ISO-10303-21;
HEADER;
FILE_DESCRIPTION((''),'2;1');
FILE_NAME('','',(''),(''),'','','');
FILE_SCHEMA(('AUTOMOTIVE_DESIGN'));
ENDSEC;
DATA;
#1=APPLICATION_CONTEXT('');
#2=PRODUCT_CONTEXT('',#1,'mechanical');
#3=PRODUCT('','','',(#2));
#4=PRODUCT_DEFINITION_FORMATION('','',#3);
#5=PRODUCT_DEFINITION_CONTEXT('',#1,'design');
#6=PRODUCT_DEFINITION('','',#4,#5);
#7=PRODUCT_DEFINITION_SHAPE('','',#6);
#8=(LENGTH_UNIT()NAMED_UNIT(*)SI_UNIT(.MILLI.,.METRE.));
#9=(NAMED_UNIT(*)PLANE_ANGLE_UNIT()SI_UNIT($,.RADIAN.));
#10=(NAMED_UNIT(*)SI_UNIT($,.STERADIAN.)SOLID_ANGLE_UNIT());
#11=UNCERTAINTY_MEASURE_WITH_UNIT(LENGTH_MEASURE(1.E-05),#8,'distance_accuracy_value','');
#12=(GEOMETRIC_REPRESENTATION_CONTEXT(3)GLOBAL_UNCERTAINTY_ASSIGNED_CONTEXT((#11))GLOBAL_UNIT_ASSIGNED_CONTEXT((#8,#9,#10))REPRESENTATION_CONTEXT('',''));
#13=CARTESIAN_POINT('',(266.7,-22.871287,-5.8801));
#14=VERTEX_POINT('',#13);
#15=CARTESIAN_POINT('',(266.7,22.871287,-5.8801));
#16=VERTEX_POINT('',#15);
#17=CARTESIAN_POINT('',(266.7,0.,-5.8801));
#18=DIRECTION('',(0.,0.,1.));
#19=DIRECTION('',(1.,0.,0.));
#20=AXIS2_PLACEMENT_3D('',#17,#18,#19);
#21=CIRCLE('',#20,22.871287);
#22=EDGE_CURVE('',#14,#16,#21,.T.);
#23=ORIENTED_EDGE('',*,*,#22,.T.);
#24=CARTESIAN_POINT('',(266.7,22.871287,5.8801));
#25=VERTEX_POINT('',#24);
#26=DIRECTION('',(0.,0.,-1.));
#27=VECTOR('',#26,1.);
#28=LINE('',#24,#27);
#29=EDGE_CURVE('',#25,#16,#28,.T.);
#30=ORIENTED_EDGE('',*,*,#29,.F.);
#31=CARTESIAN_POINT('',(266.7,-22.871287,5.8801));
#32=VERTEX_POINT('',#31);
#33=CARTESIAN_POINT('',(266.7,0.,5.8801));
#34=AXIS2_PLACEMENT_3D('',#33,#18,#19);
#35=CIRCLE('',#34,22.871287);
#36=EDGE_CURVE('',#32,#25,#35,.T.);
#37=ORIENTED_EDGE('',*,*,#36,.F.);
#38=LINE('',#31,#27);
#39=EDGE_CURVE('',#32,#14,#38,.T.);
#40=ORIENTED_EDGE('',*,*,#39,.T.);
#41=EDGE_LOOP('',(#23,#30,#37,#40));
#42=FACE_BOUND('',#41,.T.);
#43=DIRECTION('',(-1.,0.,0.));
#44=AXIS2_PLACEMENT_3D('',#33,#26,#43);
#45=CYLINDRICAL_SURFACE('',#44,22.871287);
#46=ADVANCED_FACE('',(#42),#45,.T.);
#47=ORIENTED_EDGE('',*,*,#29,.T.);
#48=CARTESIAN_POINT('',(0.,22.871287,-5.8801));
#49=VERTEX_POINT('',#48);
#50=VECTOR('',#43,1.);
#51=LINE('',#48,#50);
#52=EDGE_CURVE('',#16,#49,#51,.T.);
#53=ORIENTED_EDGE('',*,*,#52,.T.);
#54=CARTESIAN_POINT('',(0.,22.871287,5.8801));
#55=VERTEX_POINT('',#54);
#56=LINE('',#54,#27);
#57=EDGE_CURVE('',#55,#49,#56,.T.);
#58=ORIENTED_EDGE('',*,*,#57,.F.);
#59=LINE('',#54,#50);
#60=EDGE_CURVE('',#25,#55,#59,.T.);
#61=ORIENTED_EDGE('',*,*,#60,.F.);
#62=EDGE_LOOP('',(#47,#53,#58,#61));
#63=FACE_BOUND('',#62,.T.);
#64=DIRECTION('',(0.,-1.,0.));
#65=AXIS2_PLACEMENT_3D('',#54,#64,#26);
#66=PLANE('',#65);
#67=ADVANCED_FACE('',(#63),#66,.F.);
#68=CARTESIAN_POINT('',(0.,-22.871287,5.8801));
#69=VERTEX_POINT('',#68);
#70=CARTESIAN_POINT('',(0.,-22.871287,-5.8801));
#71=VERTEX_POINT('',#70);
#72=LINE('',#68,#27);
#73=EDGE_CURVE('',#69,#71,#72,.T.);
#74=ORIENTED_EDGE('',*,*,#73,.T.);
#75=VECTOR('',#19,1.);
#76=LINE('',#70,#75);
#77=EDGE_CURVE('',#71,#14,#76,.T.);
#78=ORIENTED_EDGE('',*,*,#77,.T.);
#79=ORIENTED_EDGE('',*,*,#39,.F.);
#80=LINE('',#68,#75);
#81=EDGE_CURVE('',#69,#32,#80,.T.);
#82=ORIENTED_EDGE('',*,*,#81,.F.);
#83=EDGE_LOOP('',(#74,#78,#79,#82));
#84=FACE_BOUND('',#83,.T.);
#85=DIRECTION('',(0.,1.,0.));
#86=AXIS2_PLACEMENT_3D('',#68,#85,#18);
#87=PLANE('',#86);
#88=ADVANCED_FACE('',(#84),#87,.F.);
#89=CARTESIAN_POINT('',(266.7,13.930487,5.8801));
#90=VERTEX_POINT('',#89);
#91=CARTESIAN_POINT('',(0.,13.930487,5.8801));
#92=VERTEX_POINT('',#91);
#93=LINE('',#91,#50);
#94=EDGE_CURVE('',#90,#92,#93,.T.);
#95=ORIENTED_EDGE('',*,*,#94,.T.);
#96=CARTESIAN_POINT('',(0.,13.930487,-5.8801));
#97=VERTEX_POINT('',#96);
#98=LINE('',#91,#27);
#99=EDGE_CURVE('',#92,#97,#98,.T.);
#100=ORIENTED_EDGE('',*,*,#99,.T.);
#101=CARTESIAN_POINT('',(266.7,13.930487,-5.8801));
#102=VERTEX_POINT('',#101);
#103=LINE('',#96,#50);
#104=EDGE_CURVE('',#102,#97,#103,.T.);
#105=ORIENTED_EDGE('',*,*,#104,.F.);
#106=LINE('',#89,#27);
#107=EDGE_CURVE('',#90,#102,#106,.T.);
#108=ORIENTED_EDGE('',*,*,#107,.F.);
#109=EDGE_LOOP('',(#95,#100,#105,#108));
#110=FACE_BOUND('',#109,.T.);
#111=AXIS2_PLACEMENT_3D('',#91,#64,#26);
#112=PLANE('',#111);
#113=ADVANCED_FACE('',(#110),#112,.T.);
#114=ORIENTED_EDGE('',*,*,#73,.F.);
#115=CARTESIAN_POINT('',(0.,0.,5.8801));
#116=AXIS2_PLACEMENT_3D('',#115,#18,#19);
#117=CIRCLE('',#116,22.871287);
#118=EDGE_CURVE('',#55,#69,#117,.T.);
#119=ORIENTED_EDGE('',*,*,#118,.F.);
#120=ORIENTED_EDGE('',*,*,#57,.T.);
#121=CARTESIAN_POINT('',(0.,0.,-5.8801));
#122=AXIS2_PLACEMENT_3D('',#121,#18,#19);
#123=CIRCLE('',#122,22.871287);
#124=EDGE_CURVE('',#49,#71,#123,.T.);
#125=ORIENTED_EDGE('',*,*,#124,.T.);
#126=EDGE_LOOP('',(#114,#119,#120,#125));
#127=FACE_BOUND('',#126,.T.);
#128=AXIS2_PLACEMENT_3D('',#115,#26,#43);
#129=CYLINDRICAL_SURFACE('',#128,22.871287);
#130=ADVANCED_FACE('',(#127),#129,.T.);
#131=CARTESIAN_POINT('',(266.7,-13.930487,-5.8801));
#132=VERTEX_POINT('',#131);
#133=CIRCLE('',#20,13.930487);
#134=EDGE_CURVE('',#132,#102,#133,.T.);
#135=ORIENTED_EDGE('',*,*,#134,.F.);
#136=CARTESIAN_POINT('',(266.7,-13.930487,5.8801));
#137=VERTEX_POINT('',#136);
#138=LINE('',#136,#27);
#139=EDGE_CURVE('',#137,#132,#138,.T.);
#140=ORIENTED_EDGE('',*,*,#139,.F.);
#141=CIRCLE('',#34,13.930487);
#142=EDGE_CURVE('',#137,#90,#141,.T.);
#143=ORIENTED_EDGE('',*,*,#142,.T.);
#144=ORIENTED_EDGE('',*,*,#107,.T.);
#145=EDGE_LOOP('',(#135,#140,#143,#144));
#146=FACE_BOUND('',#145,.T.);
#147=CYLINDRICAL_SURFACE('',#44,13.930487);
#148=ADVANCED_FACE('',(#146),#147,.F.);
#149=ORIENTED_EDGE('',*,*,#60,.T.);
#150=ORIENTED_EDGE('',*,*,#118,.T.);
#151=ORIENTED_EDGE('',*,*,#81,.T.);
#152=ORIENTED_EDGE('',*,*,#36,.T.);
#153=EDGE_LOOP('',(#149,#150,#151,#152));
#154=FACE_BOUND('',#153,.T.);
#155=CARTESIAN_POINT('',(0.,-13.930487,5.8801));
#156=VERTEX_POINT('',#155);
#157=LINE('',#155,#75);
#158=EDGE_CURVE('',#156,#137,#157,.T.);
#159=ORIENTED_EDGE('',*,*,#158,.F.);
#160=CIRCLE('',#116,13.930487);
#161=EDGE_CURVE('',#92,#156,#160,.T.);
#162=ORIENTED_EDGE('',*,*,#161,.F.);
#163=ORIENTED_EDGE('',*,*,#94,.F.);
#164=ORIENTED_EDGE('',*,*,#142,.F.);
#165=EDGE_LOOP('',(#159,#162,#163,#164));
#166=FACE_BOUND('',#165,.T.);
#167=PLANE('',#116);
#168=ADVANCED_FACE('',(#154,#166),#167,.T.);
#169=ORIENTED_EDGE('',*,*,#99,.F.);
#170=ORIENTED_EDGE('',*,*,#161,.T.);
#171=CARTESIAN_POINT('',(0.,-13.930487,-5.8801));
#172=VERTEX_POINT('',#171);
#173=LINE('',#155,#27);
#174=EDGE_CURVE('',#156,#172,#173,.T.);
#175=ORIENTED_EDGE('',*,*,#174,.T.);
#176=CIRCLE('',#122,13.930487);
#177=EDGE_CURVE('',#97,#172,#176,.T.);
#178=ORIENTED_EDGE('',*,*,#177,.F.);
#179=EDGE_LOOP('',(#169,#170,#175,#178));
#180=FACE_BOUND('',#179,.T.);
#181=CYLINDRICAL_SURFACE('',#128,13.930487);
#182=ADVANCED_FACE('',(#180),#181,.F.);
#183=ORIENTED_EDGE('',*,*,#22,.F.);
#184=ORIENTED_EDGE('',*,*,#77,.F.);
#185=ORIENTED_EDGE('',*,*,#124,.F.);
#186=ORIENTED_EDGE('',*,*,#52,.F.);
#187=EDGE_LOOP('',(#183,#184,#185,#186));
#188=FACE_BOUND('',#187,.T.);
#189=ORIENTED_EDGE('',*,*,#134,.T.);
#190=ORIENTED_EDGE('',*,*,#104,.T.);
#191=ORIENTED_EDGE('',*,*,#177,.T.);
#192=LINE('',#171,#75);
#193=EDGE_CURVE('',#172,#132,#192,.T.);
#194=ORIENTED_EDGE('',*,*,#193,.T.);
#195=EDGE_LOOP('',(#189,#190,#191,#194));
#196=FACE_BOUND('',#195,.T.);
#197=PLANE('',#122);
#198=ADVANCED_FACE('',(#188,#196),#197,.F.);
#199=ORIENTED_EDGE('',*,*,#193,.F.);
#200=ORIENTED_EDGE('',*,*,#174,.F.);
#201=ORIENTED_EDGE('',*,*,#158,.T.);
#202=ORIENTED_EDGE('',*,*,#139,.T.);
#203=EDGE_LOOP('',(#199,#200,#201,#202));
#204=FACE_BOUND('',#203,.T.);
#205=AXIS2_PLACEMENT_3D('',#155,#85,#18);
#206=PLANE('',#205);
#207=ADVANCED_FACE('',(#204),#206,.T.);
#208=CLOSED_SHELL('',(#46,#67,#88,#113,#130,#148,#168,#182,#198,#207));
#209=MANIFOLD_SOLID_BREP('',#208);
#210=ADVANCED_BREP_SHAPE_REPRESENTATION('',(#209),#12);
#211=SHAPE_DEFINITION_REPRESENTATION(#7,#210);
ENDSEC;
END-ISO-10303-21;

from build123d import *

# Parameters (mm, degrees)
EXTRUDE_THIN1_DEPTH = 5.8801


with BuildPart() as part:
    # Sketch1 → Extrude-Thin1 (new body, symmetric)
    with BuildSketch(Plane.XY):
        with BuildLine():
            Line((266.7, -22.871286991), (0, -22.871286991))
            ThreePointArc((0, -22.871286991), (-22.871286991, 0), (0, 22.871286991))
            Line((0, 22.871286991), (266.7, 22.871286991))
            ThreePointArc((266.7, 22.871286991), (289.571286991, 0), (266.7, -22.871286991))
        make_face()
        with BuildLine():
            Line((266.7, -13.930486991), (0, -13.930486991))
            ThreePointArc((0, -13.930486991), (-13.930486991, 0), (0, 13.930486991))
            Line((0, 13.930486991), (266.7, 13.930486991))
            ThreePointArc((266.7, 13.930486991), (280.630486991, 0), (266.7, -13.930486991))
        make_face(mode=Mode.SUBTRACT)
    extrude(amount=EXTRUDE_THIN1_DEPTH, both=True)


solid = part.part
